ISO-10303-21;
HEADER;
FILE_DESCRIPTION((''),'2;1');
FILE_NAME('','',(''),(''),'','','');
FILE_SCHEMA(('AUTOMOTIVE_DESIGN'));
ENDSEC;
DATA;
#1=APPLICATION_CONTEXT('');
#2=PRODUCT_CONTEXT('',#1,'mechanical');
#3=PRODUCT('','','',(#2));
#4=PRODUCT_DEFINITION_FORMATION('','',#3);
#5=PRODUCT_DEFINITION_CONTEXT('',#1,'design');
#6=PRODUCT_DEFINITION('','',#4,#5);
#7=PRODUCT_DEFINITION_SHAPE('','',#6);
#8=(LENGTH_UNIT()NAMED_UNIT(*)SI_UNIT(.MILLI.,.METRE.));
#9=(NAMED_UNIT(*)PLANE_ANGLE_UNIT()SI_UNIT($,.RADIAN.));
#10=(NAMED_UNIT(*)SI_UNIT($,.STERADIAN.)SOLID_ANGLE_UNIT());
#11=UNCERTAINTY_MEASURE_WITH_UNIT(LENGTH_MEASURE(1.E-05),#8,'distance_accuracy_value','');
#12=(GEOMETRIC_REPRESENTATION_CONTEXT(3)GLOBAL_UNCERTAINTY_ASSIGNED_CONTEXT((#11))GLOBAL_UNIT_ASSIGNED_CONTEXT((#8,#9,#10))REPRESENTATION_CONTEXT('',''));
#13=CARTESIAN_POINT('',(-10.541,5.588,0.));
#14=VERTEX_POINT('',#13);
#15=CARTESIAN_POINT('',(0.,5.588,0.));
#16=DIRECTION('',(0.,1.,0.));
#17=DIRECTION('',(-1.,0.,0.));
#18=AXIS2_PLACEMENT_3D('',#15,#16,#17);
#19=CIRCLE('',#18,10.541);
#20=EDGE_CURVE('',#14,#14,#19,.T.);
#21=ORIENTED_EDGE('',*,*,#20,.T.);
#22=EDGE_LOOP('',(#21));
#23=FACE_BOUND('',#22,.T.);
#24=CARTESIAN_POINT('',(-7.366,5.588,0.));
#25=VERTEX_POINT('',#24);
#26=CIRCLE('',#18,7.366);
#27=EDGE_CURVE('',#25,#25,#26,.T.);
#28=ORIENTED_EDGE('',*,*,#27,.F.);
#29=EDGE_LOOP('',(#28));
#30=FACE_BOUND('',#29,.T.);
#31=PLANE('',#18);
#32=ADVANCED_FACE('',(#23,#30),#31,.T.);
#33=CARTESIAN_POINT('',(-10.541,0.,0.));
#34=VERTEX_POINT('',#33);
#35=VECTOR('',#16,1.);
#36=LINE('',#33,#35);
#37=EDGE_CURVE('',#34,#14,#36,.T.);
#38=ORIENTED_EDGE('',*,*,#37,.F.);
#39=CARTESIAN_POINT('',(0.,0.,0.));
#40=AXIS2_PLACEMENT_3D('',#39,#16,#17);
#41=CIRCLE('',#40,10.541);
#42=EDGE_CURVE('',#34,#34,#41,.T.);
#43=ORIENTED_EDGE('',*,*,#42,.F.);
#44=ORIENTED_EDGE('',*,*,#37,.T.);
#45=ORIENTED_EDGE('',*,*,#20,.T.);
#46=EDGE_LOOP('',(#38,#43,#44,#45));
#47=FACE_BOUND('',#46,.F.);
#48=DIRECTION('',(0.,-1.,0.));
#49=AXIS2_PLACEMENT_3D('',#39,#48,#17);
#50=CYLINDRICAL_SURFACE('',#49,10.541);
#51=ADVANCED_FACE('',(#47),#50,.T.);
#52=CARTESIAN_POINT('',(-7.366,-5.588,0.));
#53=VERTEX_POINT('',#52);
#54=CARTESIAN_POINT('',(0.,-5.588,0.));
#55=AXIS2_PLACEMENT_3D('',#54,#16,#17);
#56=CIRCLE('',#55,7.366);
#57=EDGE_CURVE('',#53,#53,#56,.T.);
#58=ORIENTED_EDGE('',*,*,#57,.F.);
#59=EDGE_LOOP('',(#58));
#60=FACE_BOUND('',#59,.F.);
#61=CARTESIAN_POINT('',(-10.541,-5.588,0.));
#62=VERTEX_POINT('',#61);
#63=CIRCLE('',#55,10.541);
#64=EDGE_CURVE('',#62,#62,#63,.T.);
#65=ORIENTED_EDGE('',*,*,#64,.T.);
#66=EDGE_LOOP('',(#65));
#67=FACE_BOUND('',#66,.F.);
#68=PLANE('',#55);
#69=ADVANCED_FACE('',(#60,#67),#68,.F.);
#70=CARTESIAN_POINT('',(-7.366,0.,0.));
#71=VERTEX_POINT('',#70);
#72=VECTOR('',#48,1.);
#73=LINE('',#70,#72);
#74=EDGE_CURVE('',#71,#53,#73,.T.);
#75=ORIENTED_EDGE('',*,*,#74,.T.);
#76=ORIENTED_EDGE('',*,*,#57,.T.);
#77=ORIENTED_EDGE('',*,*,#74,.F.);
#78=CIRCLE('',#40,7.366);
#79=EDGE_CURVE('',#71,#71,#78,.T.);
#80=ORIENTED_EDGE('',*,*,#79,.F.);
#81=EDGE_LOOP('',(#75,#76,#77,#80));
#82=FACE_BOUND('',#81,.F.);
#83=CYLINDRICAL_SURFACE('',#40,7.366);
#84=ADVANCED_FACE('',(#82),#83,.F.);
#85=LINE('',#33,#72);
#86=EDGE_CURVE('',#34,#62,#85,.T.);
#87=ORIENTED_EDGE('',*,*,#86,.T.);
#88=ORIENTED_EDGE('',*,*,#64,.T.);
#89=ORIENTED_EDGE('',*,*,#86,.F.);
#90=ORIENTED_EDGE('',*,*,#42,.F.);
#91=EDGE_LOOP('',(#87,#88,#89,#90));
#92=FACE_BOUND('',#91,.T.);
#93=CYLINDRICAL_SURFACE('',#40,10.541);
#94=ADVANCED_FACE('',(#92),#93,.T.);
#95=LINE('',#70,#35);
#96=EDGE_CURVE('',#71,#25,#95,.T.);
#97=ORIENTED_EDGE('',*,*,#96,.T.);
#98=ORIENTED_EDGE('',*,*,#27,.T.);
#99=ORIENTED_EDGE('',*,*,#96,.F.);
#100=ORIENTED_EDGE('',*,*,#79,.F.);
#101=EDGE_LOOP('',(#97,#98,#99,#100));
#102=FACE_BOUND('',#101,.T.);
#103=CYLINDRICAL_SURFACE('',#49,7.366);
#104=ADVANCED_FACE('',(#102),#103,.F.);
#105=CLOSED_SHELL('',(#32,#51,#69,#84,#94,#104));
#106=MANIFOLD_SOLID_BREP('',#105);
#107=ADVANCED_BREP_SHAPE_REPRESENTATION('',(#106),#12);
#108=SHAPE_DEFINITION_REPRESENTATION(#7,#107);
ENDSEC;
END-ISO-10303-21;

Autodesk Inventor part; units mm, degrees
ref_plane "YZ Plane" through (0, 0, 0) normal (1, 0, 0) x (0, 1, 0)
ref_plane "XZ Plane" through (0, 0, 0) normal (0, 1, 0) x (-1, 0, 0)
ref_plane "XY Plane" through (0, 0, 0) normal (0, 0, 1) x (1, 0, 0)
sketch "Sketch1" plane through (0, 0, 0) normal (0, 1, 0) x (-1, 0, 0)
  circle A0 centre (0, 0) radius 7.366
  circle A1 centre (0, 0) radius 10.541
  dimension "d0" = 14.732
  dimension "d1" = 3.175
extrude "Extrusion1" add sketch "Sketch1" along normal mid plane 11.176
properties part number "CL-S-002" material "ABS Plastic"
